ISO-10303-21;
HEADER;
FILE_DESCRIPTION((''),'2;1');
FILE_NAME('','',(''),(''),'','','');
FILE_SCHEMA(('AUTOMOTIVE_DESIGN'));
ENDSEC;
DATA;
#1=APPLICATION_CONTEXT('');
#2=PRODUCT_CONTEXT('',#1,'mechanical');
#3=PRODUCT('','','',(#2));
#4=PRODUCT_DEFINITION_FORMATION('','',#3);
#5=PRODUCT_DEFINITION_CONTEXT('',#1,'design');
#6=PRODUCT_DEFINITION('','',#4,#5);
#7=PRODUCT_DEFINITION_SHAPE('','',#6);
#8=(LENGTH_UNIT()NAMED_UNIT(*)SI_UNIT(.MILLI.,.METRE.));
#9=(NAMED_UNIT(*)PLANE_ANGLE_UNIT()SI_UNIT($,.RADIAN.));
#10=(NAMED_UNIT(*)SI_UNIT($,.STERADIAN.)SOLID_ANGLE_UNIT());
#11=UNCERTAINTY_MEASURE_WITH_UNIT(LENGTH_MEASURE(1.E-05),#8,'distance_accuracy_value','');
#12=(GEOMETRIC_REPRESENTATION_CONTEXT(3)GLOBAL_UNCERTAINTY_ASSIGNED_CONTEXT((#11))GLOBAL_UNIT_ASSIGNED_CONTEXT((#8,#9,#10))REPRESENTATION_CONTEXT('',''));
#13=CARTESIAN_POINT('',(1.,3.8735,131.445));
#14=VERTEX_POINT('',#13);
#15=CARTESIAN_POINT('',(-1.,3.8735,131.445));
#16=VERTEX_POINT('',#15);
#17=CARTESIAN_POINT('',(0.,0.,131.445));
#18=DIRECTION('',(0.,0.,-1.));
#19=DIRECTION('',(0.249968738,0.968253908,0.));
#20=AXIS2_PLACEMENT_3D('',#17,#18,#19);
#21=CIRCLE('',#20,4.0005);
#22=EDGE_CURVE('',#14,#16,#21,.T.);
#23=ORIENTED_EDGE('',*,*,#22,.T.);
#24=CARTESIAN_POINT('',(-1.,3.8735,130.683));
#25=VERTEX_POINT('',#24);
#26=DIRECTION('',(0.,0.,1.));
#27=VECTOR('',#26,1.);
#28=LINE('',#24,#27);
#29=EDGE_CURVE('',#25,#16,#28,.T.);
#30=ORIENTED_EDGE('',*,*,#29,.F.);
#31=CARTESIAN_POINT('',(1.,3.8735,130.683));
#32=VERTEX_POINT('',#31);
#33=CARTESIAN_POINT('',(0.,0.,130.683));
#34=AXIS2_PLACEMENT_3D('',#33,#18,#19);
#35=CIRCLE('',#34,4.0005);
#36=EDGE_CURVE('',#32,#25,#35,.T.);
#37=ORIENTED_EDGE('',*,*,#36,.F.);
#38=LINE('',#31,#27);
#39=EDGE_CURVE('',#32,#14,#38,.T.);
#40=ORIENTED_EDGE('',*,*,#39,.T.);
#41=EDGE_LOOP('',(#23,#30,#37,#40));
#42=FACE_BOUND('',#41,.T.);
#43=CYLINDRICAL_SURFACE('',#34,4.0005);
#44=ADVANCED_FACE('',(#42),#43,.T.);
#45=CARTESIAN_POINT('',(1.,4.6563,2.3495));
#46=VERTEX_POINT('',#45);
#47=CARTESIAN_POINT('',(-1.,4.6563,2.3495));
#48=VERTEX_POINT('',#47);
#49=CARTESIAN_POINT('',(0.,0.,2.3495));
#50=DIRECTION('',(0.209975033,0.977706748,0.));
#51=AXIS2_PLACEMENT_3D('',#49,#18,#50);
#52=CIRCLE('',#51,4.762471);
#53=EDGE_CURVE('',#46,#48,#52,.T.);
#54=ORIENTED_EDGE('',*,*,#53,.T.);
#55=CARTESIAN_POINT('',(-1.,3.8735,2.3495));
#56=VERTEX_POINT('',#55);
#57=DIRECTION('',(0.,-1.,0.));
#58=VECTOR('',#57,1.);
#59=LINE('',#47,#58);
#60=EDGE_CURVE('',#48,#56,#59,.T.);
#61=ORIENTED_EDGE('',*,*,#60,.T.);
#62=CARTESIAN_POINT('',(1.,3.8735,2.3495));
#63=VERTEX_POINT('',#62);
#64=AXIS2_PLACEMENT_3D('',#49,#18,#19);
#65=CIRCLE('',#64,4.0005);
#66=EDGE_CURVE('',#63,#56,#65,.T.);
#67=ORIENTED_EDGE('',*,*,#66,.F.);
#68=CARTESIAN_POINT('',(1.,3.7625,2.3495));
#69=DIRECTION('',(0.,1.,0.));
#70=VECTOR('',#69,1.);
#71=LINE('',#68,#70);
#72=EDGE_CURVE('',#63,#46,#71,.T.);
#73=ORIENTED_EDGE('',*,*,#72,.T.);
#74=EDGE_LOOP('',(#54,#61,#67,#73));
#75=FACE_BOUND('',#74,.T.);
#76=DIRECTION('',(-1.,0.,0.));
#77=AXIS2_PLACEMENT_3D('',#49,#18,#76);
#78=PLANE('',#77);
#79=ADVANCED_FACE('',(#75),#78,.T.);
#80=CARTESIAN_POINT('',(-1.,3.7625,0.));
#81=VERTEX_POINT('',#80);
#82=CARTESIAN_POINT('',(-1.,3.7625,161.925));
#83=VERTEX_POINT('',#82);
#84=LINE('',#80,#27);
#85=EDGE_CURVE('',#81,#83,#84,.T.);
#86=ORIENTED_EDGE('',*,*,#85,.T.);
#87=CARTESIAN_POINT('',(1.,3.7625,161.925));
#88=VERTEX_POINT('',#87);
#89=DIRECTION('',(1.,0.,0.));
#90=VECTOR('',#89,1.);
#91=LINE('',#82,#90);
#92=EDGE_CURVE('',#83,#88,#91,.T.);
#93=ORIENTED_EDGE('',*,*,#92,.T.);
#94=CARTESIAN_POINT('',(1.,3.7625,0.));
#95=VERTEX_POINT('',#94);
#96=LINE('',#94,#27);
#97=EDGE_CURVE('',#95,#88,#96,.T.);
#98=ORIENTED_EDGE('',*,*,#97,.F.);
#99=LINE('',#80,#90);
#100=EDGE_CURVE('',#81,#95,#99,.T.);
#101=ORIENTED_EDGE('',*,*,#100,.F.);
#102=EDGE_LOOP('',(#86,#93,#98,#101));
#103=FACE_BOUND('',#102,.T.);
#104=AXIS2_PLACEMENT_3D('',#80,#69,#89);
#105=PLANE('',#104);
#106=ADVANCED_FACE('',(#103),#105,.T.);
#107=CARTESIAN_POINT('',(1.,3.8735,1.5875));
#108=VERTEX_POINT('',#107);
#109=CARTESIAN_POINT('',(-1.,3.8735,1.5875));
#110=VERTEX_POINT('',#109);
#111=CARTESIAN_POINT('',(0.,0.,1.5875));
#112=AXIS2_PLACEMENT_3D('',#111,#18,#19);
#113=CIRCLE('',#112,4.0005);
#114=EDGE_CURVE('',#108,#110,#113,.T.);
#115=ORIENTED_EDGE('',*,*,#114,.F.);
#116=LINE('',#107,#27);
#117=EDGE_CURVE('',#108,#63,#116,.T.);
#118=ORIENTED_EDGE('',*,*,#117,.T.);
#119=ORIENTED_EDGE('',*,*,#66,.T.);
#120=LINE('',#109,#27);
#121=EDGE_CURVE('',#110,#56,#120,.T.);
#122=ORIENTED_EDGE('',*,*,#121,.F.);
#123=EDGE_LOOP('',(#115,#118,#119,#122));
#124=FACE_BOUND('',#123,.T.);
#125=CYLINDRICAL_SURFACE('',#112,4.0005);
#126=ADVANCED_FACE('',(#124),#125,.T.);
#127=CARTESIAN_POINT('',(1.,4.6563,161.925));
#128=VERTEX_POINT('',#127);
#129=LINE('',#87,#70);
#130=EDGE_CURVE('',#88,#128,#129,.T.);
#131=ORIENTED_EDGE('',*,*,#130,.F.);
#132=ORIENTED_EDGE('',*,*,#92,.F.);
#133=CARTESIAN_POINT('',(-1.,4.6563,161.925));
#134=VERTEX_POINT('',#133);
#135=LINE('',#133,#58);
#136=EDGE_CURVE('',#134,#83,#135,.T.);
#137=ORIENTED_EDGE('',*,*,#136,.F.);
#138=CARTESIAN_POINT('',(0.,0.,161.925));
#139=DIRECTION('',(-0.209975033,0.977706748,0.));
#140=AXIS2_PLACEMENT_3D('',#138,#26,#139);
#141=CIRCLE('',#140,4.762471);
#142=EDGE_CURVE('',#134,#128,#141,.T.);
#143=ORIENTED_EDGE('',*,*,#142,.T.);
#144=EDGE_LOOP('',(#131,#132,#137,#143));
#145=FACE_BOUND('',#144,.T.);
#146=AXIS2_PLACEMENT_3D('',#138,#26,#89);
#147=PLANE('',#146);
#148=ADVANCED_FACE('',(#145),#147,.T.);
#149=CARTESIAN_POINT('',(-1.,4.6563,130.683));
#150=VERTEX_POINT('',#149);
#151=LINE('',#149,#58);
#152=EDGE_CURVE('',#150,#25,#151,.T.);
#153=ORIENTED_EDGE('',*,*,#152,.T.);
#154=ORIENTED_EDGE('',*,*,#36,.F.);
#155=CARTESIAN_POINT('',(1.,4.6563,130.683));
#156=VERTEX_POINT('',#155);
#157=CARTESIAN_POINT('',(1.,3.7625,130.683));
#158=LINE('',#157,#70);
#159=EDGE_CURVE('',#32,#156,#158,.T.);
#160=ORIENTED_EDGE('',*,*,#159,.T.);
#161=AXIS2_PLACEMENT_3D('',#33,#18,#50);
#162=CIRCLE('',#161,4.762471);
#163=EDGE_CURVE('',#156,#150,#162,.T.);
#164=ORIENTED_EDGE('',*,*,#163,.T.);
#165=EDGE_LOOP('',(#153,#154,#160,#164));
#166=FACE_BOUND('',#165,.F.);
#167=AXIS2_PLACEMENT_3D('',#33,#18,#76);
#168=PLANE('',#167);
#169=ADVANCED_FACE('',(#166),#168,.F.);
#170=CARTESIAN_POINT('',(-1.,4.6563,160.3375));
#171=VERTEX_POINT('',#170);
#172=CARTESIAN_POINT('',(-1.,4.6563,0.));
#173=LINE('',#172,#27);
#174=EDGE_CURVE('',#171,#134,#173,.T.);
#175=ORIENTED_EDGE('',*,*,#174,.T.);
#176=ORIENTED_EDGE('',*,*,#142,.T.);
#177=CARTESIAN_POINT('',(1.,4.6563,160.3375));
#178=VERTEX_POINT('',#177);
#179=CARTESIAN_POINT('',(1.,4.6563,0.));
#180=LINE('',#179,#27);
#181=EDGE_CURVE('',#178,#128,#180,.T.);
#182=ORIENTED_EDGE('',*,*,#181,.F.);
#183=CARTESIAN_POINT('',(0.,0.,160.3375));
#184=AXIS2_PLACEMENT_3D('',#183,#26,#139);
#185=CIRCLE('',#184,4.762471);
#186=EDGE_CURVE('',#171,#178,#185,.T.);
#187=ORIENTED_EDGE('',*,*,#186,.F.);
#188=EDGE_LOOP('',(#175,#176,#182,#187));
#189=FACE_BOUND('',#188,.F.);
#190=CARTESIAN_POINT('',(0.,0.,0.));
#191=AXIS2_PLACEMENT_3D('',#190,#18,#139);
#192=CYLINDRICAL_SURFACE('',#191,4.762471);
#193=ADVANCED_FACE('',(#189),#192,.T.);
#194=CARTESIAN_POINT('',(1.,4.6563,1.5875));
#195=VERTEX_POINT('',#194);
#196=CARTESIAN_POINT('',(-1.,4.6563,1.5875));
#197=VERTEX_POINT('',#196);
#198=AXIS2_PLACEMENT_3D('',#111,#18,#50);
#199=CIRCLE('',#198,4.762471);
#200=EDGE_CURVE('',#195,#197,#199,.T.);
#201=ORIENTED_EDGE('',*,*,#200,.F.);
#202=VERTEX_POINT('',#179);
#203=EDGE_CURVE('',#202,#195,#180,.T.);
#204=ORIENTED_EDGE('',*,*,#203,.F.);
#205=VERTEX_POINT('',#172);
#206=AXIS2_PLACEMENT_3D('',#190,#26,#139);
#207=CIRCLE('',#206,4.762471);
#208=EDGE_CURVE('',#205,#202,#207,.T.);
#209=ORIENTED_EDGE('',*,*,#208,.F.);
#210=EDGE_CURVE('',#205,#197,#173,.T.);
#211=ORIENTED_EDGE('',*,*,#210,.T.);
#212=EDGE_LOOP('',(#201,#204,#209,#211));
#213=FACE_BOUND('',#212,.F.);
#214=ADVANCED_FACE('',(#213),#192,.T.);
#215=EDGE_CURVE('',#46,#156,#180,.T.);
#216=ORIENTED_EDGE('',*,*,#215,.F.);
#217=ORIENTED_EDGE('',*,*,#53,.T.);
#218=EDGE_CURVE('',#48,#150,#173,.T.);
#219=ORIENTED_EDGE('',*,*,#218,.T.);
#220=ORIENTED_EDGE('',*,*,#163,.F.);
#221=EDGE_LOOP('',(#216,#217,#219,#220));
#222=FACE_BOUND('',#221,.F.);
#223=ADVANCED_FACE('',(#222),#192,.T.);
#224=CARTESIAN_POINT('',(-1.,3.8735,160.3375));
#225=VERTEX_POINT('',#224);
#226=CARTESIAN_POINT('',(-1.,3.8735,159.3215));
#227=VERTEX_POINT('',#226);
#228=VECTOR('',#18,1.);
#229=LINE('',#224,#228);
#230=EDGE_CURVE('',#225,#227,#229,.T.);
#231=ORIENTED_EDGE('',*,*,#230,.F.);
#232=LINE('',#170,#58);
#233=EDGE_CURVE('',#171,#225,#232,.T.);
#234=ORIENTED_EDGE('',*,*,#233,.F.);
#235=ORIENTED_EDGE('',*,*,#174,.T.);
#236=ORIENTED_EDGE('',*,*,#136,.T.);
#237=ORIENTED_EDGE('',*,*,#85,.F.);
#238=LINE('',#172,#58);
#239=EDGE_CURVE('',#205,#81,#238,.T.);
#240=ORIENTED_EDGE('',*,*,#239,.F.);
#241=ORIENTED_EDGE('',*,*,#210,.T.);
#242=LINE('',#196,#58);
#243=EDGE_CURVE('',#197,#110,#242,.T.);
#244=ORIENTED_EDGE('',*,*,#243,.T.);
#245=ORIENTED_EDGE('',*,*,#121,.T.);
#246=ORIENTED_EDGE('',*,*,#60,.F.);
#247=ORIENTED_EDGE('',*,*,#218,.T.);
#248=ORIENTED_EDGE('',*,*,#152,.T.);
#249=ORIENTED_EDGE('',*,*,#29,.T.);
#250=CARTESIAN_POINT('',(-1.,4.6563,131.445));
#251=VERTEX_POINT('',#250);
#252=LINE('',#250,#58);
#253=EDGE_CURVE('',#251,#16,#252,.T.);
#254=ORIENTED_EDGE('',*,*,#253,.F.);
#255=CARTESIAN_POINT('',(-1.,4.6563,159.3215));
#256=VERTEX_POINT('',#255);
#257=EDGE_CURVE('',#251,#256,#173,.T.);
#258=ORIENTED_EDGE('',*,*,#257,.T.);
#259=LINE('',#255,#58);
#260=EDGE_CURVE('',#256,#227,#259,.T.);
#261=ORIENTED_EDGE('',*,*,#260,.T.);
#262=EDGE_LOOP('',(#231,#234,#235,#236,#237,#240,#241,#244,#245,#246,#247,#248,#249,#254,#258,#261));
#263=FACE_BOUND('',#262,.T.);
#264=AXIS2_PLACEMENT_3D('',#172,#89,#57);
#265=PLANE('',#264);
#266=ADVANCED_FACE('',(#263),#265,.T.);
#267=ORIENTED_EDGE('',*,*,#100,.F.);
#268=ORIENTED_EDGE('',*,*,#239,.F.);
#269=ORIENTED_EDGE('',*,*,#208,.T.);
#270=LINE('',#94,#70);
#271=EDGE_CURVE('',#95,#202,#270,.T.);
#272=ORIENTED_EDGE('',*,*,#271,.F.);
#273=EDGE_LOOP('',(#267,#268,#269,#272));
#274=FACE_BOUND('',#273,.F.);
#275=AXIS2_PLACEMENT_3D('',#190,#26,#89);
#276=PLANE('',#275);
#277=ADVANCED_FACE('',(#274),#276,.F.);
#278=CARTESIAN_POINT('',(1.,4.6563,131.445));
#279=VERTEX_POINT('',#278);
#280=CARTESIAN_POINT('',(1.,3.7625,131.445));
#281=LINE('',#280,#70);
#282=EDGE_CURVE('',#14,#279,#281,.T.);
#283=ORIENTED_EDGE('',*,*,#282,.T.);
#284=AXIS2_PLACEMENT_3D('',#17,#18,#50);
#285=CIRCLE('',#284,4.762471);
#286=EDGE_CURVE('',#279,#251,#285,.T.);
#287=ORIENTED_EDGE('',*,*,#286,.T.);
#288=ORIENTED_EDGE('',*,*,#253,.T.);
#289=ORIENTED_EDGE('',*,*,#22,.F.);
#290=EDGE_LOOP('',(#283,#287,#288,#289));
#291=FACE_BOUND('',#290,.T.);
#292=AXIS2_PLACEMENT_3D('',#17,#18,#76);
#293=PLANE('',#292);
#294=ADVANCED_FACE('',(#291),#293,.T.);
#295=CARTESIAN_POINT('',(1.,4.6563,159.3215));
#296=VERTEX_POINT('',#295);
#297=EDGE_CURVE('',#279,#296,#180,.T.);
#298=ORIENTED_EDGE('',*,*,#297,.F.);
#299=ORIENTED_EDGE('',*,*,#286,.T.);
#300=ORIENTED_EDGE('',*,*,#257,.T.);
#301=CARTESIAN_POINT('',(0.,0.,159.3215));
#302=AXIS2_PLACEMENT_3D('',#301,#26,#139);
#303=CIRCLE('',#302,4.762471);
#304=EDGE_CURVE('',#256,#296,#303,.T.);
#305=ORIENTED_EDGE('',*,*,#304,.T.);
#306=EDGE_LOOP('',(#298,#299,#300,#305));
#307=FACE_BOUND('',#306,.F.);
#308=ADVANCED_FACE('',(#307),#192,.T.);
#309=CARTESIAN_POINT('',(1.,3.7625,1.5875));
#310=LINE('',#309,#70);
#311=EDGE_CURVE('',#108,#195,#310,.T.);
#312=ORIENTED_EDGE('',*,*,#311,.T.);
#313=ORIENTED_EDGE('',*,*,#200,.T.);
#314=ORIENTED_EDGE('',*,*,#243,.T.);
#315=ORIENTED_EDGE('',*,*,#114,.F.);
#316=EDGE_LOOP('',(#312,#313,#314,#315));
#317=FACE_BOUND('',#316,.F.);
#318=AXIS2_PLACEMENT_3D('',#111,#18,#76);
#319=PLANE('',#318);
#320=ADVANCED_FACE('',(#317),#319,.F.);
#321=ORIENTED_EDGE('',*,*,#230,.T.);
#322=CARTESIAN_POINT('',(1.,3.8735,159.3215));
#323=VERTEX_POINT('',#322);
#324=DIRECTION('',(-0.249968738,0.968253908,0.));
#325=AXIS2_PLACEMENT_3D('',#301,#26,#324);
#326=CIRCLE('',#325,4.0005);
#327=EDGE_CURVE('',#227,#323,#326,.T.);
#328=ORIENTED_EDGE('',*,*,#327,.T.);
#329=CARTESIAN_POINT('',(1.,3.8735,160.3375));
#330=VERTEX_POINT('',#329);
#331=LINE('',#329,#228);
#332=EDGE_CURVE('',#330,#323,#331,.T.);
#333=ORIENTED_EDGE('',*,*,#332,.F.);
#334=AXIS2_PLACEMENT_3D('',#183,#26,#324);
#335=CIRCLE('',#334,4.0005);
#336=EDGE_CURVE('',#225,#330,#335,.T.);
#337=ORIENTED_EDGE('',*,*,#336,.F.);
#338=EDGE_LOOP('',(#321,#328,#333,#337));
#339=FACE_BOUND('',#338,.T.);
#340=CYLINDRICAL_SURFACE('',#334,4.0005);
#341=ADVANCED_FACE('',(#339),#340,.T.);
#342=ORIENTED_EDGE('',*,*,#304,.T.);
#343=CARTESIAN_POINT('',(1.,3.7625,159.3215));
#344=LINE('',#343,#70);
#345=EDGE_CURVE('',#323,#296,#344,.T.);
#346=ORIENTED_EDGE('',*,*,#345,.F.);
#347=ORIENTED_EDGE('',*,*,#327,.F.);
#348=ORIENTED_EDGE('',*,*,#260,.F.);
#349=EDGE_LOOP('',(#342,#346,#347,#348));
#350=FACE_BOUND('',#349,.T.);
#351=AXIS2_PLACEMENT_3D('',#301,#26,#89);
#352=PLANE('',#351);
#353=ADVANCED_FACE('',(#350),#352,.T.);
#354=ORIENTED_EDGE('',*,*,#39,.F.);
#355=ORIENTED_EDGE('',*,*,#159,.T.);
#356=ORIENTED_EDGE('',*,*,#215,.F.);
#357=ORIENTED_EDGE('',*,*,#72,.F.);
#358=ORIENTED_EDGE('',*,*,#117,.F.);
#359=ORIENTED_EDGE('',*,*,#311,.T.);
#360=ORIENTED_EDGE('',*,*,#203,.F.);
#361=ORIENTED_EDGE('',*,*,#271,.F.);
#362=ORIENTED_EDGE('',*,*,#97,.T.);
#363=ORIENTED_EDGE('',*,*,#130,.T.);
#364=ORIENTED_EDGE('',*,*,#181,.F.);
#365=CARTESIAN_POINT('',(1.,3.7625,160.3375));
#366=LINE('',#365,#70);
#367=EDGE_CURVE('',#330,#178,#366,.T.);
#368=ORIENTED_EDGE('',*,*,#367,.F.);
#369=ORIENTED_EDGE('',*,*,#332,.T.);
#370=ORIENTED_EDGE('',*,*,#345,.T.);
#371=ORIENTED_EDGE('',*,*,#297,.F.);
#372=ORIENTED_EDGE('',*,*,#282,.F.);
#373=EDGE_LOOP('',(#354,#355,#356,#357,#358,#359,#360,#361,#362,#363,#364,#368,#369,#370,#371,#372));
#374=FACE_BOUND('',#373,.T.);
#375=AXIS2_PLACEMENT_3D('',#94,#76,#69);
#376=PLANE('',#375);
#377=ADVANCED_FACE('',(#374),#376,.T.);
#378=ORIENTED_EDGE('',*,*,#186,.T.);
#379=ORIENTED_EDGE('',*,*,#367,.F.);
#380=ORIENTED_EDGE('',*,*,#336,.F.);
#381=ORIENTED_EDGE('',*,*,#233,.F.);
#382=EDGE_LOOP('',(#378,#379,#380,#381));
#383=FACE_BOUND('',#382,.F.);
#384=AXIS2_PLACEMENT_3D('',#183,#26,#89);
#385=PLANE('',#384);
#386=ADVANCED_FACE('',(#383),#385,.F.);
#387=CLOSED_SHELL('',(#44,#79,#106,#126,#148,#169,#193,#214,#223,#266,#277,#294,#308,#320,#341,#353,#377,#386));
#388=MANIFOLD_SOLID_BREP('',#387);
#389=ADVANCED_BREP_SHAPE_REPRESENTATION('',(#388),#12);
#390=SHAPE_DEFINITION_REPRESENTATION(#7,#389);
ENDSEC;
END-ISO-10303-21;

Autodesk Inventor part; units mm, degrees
sketch "Sketch1" plane through (0, 0, 0) normal (0, 0, 1) x (1, 0, 0)
  arc A0 (-1, 4.6563) -> (1, 4.6563) centre (0, 0) ccw
  line L0 (-1, 3.7625) -> (1, 3.7625)
  line L1 (1, 3.7625) -> (1, 4.6563)
  line L2 (1, 5.7625) -> (-1, 5.7625) construction
  line L3 (-1, 5.7625) -> (-1, 4.6563) construction
  arc A1 (1, 4.6563) -> (-1, 4.6563) centre (0, 0) ccw construction
  line L4 (-1, 4.6563) -> (-1, 3.7625)
  line L5 (1, 4.6563) -> (1, 5.7625) construction
  dimension "d0" = 9.525
  dimension "d3" = 2
  dimension "d4" = 2
  dimension "d5" = 1
  dimension "d6" = 3.7625
extrude "Extrusion1" add sketch "Sketch1" along normal blind 161.925
ref_plane "Work Plane1" through (0, 0, 1.5875) normal (0, 0, -1) x (-1, 0, 0)
sketch "Sketch2" plane through (0, 0, 1.5875) normal (0, 0, -1) x (-1, 0, 0)
  line L0 (-1, 3.7625) -> (-1, 4.6563) projected
  line L1 (1, 3.7625) -> (-1, 3.7625) projected
  line L2 (1, 4.6563) -> (1, 3.7625) projected
  arc A0 (-1, 4.6563) -> (1, 4.6563) centre (0, 0) ccw projected
  arc A1 (-1, 3.8735) -> (1, 3.8735) centre (0, 0) ccw
  arc A2 (1, 3.8735) -> (-1, 3.8735) centre (0, 0) ccw construction
  dimension "d9" = 0.762
extrude "Extrusion2" cut sketch "Sketch2" against normal blind 0.762 contours A1 L2 A0 L0
ref_plane "Work Plane2" through (0, 0, 130.683) normal (0, 0, -1) x (-1, 0, 0)
sketch "Sketch3" plane through (0, 0, 130.683) normal (0, 0, -1) x (-1, 0, 0)
  arc A0 (-1, 3.8735) -> (1, 3.8735) centre (0, 0) ccw projected
  line L0 (-1, 3.7625) -> (-1, 4.6563) projected
  arc A1 (-1, 4.6563) -> (1, 4.6563) centre (0, 0) ccw projected
  line L1 (1, 4.6563) -> (1, 3.7625) projected
  line L2 (1, 3.7625) -> (-1, 3.7625) projected
extrude "Extrusion3" cut sketch "Sketch3" against normal blind 0.762 contours A0 L1 A1 L0
ref_plane "Work Plane3" through (0, 0, 160.3375) normal (0, 0, 1) x (1, 0, 0)
sketch "Sketch4" plane through (0, 0, 160.3375) normal (0, 0, 1) x (1, 0, 0)
  arc A0 (-1, 3.8735) -> (1, 3.8735) centre (0, 0) ccw projected
  line L0 (-1, 3.7625) -> (1, 3.7625) projected
  line L1 (-1, 4.6563) -> (-1, 3.7625) projected
  line L2 (1, 3.7625) -> (1, 4.6563) projected
  arc A1 (-1, 4.6563) -> (1, 4.6563) centre (0, 0) ccw projected
extrude "Extrusion4" cut sketch "Sketch4" against normal blind 1.016 contours A0 L2 A1 L1
equation "\"d4\" = d3"
equation "\"d5\" = 0.5 * d3"
equation "\"d6\" = 0.5 * d0 - 0.5 * d4"
properties part number "vertical drive shaft 2"
